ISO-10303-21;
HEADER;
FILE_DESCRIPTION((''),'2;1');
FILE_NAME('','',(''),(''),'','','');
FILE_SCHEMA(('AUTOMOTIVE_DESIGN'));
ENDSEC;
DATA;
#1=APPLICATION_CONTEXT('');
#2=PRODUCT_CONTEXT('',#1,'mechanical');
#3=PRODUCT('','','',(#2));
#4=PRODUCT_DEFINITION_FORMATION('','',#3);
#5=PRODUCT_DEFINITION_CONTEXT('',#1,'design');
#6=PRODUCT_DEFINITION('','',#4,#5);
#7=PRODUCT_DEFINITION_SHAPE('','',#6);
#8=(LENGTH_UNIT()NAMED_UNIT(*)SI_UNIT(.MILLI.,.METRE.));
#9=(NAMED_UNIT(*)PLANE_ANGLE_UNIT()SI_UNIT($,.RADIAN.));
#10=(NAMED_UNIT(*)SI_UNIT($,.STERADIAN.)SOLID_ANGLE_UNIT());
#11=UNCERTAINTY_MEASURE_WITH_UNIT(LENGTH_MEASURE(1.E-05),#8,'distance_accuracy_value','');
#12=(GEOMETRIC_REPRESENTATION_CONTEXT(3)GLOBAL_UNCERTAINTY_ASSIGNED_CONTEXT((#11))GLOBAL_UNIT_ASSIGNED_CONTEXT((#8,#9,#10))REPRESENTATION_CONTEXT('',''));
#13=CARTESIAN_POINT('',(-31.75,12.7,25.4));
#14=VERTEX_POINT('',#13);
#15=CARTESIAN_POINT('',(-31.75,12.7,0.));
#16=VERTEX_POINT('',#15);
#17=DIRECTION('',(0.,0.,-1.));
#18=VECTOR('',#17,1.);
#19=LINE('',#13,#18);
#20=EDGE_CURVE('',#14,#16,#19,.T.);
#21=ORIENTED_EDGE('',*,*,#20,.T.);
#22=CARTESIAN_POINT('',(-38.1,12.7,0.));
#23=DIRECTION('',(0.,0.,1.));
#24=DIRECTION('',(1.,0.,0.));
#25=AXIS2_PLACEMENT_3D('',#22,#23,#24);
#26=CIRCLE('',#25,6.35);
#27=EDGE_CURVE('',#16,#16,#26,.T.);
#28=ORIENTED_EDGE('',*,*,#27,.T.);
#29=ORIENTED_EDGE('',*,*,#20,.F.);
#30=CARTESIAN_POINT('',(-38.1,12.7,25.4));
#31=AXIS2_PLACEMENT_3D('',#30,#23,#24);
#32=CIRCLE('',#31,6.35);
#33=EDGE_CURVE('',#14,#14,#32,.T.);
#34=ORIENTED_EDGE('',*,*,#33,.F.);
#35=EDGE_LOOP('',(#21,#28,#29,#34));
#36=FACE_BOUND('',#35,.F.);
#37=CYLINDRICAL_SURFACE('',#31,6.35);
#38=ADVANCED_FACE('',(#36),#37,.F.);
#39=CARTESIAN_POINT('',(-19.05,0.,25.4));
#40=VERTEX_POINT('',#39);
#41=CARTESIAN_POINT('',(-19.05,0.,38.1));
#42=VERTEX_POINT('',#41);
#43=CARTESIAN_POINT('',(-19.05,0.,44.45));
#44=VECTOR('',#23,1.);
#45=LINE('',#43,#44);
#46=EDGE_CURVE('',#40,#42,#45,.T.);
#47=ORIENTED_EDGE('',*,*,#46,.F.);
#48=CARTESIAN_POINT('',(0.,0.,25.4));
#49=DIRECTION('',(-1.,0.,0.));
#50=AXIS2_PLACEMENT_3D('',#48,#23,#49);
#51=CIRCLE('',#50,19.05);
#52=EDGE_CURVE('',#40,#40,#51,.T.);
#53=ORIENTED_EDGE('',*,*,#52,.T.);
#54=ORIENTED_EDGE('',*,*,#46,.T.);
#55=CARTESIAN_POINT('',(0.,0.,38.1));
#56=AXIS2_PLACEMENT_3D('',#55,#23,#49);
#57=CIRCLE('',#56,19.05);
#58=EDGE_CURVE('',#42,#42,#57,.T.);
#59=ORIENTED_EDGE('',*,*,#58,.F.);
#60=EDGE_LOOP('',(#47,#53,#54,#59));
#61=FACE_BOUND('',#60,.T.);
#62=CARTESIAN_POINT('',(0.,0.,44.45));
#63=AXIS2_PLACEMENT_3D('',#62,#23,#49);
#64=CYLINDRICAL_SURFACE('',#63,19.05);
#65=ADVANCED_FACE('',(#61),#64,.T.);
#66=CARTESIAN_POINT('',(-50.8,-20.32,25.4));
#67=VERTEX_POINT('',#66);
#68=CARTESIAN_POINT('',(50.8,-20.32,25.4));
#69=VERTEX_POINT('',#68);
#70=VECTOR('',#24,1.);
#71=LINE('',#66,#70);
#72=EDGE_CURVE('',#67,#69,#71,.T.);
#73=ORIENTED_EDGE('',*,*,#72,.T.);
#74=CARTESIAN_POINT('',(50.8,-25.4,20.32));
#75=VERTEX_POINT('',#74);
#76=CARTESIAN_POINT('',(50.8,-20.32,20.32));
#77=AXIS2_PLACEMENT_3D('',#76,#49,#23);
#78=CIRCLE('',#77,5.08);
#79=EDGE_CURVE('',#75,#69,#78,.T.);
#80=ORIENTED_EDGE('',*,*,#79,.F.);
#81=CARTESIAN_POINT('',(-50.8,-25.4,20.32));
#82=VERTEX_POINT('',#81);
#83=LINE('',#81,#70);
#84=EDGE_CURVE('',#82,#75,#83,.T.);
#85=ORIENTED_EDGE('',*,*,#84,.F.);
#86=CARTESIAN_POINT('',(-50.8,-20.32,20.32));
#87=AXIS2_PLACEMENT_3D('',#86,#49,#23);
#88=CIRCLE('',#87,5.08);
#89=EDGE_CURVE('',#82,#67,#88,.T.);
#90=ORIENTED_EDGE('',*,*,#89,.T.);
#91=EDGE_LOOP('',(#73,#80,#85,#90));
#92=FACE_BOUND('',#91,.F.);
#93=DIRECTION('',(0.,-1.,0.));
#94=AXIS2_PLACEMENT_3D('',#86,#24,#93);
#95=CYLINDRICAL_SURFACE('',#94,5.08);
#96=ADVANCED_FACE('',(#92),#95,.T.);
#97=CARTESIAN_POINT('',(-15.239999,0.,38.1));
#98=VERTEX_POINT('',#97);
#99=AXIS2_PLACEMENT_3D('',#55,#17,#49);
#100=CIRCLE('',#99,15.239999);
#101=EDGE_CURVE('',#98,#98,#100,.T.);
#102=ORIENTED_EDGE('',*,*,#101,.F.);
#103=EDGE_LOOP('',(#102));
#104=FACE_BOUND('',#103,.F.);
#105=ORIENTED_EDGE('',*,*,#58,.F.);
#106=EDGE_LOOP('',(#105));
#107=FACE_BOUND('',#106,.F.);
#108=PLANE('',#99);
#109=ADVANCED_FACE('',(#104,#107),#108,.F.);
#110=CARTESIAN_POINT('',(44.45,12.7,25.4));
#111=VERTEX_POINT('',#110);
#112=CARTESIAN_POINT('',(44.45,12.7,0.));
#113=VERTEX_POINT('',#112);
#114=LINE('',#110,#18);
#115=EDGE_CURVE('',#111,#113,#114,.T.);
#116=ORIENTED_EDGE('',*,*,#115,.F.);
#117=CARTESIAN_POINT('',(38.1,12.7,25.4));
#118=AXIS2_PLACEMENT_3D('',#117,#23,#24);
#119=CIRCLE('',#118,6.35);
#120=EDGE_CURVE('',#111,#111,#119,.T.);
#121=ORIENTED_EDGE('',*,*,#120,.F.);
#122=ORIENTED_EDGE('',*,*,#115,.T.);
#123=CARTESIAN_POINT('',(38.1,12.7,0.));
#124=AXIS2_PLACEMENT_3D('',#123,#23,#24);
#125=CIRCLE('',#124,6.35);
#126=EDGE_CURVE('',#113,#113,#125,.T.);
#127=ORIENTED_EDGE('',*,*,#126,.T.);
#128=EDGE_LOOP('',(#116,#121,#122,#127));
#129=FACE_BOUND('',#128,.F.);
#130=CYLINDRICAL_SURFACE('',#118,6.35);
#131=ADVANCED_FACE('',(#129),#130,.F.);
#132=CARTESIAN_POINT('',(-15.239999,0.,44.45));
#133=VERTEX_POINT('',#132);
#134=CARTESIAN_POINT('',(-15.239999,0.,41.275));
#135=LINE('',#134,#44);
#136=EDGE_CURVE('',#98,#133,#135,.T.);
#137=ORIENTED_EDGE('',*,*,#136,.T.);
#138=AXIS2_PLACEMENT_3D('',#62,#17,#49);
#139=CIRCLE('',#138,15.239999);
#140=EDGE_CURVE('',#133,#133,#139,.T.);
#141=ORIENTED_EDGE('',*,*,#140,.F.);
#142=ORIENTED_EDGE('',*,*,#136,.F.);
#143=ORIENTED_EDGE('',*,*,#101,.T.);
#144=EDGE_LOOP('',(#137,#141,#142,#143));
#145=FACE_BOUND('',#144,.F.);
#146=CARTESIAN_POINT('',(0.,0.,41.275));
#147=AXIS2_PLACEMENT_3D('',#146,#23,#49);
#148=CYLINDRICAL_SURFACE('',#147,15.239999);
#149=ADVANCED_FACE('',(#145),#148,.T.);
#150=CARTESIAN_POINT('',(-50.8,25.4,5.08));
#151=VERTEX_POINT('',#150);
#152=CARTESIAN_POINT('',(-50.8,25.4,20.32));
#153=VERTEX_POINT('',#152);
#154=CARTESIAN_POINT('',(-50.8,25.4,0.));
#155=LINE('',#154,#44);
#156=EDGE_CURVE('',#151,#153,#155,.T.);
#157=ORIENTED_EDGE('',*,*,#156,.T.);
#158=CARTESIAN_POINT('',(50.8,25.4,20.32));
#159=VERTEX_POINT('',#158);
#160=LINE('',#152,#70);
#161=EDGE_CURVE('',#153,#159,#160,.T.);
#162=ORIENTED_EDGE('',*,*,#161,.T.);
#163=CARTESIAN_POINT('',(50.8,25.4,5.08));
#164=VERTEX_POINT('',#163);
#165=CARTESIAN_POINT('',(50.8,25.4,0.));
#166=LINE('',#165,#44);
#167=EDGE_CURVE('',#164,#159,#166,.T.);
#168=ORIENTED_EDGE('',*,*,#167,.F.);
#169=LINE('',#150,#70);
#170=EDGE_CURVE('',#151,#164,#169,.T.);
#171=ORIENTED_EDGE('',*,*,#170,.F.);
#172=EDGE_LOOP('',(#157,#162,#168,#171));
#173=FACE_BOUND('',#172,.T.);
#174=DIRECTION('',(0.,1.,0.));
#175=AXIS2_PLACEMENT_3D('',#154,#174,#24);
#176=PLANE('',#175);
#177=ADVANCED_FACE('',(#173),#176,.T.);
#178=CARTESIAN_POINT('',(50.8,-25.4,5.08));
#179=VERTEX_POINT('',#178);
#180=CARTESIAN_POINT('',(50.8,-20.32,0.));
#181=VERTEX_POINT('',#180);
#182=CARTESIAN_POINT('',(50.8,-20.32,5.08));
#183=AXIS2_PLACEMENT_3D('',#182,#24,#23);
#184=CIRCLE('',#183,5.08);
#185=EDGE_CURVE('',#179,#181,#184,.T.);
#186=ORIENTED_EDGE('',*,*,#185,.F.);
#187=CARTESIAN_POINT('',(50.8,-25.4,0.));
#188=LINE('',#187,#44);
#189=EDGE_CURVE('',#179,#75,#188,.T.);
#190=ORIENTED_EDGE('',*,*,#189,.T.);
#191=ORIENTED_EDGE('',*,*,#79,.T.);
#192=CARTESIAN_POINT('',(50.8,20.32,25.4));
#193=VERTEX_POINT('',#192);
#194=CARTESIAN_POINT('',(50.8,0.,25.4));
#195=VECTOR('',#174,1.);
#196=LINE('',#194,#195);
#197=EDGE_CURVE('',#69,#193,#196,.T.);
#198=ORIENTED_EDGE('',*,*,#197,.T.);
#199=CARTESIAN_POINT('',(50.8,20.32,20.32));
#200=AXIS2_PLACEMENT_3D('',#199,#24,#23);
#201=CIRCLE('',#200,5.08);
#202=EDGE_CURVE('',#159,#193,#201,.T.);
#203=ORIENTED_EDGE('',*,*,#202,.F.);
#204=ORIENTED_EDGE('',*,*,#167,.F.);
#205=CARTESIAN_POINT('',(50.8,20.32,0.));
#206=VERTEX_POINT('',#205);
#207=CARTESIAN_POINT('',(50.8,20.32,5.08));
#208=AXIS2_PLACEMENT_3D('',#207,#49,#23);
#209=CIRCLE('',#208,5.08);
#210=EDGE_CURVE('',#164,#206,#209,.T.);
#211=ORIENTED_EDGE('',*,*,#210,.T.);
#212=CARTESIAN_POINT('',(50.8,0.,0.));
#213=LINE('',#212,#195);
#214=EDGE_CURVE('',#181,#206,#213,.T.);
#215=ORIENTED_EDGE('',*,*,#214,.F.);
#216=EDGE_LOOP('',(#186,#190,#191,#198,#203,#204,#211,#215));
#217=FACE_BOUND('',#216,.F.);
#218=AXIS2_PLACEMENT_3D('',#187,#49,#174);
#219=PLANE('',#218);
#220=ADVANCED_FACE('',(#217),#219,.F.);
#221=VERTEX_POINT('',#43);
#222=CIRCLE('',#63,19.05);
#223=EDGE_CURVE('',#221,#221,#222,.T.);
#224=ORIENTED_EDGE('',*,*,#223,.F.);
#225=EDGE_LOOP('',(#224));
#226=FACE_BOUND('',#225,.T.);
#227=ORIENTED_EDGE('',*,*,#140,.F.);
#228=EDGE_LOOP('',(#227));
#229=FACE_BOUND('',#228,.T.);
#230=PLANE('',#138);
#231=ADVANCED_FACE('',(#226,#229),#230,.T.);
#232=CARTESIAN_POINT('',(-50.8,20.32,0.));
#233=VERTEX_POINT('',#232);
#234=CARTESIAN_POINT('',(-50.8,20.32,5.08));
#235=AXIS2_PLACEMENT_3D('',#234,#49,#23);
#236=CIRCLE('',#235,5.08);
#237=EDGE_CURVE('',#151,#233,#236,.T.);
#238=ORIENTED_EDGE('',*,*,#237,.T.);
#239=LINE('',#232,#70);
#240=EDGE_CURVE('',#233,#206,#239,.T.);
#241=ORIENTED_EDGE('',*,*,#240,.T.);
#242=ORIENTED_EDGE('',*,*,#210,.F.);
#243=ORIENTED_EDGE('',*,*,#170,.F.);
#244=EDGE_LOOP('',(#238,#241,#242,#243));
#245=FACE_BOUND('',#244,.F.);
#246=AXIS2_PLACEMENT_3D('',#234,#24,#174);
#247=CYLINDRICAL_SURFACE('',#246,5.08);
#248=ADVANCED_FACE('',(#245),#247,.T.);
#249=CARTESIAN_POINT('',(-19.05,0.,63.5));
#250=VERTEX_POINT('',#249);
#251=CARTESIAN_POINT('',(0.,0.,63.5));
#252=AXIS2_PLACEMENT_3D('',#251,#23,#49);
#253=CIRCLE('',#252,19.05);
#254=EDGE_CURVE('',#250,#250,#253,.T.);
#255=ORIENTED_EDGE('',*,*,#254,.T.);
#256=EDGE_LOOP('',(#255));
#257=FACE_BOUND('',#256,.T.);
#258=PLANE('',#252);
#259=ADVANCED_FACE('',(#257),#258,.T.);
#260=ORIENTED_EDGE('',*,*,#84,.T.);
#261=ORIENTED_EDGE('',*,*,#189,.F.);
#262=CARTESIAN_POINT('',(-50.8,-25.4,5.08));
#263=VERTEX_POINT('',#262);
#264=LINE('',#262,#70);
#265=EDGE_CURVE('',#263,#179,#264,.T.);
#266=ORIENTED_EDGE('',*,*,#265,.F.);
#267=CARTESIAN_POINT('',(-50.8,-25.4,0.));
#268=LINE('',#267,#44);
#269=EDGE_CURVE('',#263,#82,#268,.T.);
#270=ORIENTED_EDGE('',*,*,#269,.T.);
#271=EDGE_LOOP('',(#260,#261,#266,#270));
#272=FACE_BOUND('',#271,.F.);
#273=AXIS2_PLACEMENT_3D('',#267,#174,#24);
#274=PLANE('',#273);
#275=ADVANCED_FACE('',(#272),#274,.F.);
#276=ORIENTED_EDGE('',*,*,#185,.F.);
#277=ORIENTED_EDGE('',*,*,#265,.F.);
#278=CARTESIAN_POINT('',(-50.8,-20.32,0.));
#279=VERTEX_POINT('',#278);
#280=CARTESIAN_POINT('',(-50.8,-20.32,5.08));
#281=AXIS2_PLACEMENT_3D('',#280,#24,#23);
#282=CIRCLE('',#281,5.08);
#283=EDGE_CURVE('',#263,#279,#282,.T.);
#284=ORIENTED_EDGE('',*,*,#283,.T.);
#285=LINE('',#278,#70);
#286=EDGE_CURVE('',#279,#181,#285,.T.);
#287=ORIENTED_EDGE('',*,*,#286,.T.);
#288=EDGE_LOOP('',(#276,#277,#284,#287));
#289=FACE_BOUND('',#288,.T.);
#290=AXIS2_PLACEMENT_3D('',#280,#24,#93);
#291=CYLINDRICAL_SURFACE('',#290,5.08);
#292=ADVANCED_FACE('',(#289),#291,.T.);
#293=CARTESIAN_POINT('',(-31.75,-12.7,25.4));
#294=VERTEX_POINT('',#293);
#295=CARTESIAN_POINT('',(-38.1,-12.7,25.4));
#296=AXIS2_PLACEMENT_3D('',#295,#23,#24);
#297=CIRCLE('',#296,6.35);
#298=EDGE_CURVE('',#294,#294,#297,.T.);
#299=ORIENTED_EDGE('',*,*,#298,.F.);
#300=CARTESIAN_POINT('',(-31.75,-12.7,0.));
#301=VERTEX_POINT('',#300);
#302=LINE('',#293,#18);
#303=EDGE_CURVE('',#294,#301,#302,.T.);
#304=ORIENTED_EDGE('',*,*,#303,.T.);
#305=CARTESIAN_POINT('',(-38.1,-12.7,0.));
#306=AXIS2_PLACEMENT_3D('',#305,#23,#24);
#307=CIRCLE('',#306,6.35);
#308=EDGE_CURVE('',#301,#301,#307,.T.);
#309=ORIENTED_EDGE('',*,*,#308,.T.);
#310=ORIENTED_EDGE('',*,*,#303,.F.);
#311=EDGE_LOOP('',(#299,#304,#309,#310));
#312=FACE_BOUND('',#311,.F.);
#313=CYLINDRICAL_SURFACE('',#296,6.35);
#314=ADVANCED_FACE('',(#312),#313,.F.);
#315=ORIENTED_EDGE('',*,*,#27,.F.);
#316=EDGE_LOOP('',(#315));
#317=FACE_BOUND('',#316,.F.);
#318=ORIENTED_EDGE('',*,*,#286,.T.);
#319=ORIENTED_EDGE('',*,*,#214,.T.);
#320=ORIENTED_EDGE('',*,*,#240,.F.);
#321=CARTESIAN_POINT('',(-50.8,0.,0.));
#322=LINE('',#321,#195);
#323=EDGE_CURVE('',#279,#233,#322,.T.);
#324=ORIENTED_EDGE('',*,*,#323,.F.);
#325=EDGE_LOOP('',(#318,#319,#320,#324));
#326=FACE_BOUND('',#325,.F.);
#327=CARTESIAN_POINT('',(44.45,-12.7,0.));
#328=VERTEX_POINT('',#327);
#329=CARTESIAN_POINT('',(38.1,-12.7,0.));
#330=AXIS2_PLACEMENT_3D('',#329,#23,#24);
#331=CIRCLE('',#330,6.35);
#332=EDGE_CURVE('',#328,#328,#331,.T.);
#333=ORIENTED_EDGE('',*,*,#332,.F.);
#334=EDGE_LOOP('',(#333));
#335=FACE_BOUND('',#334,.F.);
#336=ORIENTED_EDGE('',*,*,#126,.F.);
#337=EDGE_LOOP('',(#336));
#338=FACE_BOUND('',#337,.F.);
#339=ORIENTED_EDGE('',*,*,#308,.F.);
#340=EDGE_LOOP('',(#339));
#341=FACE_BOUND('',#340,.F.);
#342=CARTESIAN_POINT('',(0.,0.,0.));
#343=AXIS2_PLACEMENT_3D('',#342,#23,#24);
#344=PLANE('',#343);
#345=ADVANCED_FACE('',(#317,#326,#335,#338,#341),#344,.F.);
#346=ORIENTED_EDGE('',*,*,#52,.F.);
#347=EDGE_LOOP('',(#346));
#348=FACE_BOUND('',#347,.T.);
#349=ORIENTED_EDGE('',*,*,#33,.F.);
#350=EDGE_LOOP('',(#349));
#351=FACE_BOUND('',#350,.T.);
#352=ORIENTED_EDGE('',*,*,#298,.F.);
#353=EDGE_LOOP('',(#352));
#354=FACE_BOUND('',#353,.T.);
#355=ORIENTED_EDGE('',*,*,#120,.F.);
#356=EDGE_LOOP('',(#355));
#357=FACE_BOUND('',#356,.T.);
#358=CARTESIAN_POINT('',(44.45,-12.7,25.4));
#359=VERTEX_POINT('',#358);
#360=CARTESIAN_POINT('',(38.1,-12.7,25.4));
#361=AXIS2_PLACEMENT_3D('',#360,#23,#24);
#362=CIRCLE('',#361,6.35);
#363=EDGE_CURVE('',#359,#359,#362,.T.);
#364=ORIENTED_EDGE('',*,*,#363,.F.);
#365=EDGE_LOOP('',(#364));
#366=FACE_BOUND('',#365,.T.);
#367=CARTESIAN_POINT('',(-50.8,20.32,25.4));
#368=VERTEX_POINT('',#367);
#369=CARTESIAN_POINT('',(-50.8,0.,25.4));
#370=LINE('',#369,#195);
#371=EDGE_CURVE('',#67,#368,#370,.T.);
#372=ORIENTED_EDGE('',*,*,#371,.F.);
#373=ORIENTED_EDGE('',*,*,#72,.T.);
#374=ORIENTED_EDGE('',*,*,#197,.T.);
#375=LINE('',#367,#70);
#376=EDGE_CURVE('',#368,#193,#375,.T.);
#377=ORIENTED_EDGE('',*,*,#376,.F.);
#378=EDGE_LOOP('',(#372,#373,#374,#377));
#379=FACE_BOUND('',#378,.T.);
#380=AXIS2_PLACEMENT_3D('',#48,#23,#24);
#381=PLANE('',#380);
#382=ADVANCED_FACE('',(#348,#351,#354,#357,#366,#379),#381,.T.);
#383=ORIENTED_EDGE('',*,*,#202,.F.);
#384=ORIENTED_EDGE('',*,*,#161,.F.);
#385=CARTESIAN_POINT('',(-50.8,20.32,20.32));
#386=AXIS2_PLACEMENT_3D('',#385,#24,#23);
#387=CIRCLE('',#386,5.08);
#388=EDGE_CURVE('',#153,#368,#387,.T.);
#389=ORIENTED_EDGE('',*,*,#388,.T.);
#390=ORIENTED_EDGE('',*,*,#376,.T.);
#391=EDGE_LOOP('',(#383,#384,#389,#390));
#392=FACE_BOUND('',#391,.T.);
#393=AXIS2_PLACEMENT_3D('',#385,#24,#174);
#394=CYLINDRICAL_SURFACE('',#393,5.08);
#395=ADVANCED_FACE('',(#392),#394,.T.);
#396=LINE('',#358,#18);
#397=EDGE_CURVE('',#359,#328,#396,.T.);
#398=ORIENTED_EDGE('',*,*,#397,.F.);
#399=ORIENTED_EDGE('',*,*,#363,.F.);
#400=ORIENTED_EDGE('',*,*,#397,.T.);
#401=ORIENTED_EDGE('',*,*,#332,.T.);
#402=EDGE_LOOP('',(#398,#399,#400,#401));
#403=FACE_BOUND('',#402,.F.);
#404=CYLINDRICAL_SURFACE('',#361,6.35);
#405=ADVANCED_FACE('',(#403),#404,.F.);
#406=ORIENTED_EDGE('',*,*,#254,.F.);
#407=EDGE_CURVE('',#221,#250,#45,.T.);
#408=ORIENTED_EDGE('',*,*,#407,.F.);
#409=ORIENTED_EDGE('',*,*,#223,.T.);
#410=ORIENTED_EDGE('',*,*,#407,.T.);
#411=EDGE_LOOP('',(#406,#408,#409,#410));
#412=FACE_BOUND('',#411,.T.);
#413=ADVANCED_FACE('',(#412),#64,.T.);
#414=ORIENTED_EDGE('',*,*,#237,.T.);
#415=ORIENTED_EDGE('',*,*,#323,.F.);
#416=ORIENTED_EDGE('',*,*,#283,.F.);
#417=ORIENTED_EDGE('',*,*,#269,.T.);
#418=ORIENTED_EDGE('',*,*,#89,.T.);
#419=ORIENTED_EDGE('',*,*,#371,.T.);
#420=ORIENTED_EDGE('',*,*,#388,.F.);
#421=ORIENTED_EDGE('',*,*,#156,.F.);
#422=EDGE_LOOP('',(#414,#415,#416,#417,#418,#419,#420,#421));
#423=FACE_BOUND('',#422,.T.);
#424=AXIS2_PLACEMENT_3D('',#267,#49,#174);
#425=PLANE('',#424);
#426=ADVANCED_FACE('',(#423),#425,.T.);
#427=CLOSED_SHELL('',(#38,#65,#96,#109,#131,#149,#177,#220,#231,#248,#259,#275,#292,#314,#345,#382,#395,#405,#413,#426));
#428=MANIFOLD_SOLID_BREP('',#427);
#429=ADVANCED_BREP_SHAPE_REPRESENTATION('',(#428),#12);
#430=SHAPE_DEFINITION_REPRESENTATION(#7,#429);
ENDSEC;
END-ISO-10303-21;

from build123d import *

# Parameters (mm, degrees)
F0_W     = 101.6
F0_H     = 50.8
F1_DEPTH = 25.4
F2_R     = 6.35
F3_DEPTH = 25.401
F4_W     = 19.05
F4_H     = 38.1
F6_R     = 5.08
F7_W     = 7.721651
F7_H     = 6.35


with BuildPart() as f1:
    # F0 (on Top) → F1 (new body)
    with BuildSketch(Plane.XY):
        Rectangle(F0_W, F0_H)
    extrude(amount=F1_DEPTH)

    # F2 (on face) → F3 (cut, through all)
    with BuildSketch(Plane.XY.offset(25.4)):
        with Locations((-38.1, 12.7)):
            Circle(F2_R)
        with Locations((38.1, 12.7)):
            Circle(F2_R)
        with Locations((-38.1, -12.7)):
            Circle(F2_R)
        with Locations((38.1, -12.7)):
            Circle(F2_R)
    extrude(amount=-F3_DEPTH, mode=Mode.SUBTRACT)

    # F4 (on Front) → F5 (revolve)
    with BuildSketch(Plane.XZ):
        with Locations((-9.525, 44.45)):
            Rectangle(F4_W, F4_H)
    revolve(axis=Axis((0, 0, 44.45), (0, 0, 1)))

    # F6
    f6_edges = [f1.edges().sort_by_distance(p)[0] for p in [
        (0, -25.4, 25.4),
        (0, -25.4, 0),
        (0, 25.4, 25.4),
        (0, 25.4, 0),
    ]]
    fillet(f6_edges, radius=F6_R)

    # F7 (on Front) → F8 (revolve, cut)
    with BuildSketch(Plane.XZ):
        with Locations((-19.100825, 41.275)):
            Rectangle(F7_W, F7_H)
    revolve(axis=Axis((0, 0, 63.5), (0, 0, -1)), mode=Mode.SUBTRACT)


solid = f1.part
